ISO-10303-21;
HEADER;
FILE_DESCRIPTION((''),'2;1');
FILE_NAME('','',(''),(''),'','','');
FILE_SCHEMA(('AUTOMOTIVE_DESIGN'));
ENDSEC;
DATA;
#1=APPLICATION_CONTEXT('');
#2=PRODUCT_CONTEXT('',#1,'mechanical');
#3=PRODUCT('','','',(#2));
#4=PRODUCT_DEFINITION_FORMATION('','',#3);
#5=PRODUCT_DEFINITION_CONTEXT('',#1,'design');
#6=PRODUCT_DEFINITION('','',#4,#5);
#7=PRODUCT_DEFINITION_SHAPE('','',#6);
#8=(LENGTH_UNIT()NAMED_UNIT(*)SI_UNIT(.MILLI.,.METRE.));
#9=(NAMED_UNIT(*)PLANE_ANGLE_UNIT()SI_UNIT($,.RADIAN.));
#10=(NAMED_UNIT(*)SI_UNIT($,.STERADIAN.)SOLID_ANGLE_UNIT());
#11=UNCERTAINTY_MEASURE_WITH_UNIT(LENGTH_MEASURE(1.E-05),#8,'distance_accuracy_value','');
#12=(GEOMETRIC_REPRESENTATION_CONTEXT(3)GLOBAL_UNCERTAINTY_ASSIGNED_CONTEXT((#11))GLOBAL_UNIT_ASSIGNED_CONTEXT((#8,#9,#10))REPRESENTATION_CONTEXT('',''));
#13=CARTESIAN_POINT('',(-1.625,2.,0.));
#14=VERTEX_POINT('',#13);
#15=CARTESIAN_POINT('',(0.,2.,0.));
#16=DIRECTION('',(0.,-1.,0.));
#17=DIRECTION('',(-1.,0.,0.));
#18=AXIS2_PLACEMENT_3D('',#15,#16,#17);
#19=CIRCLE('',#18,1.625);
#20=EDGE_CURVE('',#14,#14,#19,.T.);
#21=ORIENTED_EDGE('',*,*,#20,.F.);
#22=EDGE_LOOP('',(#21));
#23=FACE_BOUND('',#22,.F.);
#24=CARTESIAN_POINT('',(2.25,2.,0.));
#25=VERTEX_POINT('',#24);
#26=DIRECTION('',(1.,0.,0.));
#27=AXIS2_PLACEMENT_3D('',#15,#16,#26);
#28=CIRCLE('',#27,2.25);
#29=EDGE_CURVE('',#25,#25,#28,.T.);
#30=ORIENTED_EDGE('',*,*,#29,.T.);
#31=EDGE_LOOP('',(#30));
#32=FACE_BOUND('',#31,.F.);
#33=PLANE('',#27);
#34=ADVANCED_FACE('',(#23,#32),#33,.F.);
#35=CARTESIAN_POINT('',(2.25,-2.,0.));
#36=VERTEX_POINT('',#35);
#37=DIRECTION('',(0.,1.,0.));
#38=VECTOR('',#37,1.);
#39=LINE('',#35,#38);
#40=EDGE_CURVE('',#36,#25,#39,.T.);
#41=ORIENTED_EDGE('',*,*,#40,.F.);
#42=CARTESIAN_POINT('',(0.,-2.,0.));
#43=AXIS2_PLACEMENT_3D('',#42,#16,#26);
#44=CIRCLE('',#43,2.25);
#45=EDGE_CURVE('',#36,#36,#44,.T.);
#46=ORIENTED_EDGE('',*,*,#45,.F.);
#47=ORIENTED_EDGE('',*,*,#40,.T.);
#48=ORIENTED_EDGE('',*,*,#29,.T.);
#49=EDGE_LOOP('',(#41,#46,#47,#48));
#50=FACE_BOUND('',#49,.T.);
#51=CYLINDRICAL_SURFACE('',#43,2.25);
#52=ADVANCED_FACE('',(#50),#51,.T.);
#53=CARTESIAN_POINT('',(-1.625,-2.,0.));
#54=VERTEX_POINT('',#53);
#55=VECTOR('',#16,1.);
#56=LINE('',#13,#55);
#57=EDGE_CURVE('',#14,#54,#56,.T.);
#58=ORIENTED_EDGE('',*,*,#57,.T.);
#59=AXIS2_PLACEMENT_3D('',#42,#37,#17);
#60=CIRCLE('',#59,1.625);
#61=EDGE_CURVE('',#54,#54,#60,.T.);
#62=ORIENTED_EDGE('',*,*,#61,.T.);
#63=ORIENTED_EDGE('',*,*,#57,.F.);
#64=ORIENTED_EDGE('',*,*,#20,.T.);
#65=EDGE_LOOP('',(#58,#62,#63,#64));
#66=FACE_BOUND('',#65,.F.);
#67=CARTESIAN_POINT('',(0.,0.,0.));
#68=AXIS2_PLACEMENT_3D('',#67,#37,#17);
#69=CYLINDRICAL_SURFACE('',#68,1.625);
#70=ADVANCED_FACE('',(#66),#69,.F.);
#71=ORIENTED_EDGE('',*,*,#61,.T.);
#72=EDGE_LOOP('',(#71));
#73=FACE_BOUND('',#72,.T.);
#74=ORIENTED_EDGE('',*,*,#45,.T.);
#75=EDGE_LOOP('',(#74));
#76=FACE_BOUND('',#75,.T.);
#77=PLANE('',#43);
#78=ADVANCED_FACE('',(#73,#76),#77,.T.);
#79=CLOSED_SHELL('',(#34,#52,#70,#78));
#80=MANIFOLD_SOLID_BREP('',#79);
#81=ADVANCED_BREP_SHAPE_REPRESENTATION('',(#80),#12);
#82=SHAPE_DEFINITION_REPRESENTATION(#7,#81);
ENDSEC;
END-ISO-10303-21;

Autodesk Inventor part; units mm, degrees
ref_plane "YZ Plane" through (0, 0, 0) normal (1, 0, 0) x (0, 1, 0)
ref_plane "XZ Plane" through (0, 0, 0) normal (0, 1, 0) x (-1, 0, 0)
ref_plane "XY Plane" through (0, 0, 0) normal (0, 0, 1) x (1, 0, 0)
sketch "Sketch1" plane through (0, 0, 0) normal (0, 1, 0) x (-1, 0, 0)
  circle A0 centre (0, 0) radius 2
  circle A1 centre (0, 0) radius 1.625
  dimension "d0" = 4
  dimension "d1" = 3.25
extrude "Extrusion1" add sketch "Sketch1" along normal mid plane 4
sketch "Sketch2" plane through (0, -2, 0) normal (0, -1, 0) x (1, 0, 0)
  circle A0 centre (0, 0) radius 2.25
  circle A1 centre (0, 0) radius 1.625
  dimension "d4" = 4.5
extrude "Extrusion2" add sketch "Sketch2" against normal blind 4
properties part number "mtv_bearingFilling(pushingAxel) 2-14"
